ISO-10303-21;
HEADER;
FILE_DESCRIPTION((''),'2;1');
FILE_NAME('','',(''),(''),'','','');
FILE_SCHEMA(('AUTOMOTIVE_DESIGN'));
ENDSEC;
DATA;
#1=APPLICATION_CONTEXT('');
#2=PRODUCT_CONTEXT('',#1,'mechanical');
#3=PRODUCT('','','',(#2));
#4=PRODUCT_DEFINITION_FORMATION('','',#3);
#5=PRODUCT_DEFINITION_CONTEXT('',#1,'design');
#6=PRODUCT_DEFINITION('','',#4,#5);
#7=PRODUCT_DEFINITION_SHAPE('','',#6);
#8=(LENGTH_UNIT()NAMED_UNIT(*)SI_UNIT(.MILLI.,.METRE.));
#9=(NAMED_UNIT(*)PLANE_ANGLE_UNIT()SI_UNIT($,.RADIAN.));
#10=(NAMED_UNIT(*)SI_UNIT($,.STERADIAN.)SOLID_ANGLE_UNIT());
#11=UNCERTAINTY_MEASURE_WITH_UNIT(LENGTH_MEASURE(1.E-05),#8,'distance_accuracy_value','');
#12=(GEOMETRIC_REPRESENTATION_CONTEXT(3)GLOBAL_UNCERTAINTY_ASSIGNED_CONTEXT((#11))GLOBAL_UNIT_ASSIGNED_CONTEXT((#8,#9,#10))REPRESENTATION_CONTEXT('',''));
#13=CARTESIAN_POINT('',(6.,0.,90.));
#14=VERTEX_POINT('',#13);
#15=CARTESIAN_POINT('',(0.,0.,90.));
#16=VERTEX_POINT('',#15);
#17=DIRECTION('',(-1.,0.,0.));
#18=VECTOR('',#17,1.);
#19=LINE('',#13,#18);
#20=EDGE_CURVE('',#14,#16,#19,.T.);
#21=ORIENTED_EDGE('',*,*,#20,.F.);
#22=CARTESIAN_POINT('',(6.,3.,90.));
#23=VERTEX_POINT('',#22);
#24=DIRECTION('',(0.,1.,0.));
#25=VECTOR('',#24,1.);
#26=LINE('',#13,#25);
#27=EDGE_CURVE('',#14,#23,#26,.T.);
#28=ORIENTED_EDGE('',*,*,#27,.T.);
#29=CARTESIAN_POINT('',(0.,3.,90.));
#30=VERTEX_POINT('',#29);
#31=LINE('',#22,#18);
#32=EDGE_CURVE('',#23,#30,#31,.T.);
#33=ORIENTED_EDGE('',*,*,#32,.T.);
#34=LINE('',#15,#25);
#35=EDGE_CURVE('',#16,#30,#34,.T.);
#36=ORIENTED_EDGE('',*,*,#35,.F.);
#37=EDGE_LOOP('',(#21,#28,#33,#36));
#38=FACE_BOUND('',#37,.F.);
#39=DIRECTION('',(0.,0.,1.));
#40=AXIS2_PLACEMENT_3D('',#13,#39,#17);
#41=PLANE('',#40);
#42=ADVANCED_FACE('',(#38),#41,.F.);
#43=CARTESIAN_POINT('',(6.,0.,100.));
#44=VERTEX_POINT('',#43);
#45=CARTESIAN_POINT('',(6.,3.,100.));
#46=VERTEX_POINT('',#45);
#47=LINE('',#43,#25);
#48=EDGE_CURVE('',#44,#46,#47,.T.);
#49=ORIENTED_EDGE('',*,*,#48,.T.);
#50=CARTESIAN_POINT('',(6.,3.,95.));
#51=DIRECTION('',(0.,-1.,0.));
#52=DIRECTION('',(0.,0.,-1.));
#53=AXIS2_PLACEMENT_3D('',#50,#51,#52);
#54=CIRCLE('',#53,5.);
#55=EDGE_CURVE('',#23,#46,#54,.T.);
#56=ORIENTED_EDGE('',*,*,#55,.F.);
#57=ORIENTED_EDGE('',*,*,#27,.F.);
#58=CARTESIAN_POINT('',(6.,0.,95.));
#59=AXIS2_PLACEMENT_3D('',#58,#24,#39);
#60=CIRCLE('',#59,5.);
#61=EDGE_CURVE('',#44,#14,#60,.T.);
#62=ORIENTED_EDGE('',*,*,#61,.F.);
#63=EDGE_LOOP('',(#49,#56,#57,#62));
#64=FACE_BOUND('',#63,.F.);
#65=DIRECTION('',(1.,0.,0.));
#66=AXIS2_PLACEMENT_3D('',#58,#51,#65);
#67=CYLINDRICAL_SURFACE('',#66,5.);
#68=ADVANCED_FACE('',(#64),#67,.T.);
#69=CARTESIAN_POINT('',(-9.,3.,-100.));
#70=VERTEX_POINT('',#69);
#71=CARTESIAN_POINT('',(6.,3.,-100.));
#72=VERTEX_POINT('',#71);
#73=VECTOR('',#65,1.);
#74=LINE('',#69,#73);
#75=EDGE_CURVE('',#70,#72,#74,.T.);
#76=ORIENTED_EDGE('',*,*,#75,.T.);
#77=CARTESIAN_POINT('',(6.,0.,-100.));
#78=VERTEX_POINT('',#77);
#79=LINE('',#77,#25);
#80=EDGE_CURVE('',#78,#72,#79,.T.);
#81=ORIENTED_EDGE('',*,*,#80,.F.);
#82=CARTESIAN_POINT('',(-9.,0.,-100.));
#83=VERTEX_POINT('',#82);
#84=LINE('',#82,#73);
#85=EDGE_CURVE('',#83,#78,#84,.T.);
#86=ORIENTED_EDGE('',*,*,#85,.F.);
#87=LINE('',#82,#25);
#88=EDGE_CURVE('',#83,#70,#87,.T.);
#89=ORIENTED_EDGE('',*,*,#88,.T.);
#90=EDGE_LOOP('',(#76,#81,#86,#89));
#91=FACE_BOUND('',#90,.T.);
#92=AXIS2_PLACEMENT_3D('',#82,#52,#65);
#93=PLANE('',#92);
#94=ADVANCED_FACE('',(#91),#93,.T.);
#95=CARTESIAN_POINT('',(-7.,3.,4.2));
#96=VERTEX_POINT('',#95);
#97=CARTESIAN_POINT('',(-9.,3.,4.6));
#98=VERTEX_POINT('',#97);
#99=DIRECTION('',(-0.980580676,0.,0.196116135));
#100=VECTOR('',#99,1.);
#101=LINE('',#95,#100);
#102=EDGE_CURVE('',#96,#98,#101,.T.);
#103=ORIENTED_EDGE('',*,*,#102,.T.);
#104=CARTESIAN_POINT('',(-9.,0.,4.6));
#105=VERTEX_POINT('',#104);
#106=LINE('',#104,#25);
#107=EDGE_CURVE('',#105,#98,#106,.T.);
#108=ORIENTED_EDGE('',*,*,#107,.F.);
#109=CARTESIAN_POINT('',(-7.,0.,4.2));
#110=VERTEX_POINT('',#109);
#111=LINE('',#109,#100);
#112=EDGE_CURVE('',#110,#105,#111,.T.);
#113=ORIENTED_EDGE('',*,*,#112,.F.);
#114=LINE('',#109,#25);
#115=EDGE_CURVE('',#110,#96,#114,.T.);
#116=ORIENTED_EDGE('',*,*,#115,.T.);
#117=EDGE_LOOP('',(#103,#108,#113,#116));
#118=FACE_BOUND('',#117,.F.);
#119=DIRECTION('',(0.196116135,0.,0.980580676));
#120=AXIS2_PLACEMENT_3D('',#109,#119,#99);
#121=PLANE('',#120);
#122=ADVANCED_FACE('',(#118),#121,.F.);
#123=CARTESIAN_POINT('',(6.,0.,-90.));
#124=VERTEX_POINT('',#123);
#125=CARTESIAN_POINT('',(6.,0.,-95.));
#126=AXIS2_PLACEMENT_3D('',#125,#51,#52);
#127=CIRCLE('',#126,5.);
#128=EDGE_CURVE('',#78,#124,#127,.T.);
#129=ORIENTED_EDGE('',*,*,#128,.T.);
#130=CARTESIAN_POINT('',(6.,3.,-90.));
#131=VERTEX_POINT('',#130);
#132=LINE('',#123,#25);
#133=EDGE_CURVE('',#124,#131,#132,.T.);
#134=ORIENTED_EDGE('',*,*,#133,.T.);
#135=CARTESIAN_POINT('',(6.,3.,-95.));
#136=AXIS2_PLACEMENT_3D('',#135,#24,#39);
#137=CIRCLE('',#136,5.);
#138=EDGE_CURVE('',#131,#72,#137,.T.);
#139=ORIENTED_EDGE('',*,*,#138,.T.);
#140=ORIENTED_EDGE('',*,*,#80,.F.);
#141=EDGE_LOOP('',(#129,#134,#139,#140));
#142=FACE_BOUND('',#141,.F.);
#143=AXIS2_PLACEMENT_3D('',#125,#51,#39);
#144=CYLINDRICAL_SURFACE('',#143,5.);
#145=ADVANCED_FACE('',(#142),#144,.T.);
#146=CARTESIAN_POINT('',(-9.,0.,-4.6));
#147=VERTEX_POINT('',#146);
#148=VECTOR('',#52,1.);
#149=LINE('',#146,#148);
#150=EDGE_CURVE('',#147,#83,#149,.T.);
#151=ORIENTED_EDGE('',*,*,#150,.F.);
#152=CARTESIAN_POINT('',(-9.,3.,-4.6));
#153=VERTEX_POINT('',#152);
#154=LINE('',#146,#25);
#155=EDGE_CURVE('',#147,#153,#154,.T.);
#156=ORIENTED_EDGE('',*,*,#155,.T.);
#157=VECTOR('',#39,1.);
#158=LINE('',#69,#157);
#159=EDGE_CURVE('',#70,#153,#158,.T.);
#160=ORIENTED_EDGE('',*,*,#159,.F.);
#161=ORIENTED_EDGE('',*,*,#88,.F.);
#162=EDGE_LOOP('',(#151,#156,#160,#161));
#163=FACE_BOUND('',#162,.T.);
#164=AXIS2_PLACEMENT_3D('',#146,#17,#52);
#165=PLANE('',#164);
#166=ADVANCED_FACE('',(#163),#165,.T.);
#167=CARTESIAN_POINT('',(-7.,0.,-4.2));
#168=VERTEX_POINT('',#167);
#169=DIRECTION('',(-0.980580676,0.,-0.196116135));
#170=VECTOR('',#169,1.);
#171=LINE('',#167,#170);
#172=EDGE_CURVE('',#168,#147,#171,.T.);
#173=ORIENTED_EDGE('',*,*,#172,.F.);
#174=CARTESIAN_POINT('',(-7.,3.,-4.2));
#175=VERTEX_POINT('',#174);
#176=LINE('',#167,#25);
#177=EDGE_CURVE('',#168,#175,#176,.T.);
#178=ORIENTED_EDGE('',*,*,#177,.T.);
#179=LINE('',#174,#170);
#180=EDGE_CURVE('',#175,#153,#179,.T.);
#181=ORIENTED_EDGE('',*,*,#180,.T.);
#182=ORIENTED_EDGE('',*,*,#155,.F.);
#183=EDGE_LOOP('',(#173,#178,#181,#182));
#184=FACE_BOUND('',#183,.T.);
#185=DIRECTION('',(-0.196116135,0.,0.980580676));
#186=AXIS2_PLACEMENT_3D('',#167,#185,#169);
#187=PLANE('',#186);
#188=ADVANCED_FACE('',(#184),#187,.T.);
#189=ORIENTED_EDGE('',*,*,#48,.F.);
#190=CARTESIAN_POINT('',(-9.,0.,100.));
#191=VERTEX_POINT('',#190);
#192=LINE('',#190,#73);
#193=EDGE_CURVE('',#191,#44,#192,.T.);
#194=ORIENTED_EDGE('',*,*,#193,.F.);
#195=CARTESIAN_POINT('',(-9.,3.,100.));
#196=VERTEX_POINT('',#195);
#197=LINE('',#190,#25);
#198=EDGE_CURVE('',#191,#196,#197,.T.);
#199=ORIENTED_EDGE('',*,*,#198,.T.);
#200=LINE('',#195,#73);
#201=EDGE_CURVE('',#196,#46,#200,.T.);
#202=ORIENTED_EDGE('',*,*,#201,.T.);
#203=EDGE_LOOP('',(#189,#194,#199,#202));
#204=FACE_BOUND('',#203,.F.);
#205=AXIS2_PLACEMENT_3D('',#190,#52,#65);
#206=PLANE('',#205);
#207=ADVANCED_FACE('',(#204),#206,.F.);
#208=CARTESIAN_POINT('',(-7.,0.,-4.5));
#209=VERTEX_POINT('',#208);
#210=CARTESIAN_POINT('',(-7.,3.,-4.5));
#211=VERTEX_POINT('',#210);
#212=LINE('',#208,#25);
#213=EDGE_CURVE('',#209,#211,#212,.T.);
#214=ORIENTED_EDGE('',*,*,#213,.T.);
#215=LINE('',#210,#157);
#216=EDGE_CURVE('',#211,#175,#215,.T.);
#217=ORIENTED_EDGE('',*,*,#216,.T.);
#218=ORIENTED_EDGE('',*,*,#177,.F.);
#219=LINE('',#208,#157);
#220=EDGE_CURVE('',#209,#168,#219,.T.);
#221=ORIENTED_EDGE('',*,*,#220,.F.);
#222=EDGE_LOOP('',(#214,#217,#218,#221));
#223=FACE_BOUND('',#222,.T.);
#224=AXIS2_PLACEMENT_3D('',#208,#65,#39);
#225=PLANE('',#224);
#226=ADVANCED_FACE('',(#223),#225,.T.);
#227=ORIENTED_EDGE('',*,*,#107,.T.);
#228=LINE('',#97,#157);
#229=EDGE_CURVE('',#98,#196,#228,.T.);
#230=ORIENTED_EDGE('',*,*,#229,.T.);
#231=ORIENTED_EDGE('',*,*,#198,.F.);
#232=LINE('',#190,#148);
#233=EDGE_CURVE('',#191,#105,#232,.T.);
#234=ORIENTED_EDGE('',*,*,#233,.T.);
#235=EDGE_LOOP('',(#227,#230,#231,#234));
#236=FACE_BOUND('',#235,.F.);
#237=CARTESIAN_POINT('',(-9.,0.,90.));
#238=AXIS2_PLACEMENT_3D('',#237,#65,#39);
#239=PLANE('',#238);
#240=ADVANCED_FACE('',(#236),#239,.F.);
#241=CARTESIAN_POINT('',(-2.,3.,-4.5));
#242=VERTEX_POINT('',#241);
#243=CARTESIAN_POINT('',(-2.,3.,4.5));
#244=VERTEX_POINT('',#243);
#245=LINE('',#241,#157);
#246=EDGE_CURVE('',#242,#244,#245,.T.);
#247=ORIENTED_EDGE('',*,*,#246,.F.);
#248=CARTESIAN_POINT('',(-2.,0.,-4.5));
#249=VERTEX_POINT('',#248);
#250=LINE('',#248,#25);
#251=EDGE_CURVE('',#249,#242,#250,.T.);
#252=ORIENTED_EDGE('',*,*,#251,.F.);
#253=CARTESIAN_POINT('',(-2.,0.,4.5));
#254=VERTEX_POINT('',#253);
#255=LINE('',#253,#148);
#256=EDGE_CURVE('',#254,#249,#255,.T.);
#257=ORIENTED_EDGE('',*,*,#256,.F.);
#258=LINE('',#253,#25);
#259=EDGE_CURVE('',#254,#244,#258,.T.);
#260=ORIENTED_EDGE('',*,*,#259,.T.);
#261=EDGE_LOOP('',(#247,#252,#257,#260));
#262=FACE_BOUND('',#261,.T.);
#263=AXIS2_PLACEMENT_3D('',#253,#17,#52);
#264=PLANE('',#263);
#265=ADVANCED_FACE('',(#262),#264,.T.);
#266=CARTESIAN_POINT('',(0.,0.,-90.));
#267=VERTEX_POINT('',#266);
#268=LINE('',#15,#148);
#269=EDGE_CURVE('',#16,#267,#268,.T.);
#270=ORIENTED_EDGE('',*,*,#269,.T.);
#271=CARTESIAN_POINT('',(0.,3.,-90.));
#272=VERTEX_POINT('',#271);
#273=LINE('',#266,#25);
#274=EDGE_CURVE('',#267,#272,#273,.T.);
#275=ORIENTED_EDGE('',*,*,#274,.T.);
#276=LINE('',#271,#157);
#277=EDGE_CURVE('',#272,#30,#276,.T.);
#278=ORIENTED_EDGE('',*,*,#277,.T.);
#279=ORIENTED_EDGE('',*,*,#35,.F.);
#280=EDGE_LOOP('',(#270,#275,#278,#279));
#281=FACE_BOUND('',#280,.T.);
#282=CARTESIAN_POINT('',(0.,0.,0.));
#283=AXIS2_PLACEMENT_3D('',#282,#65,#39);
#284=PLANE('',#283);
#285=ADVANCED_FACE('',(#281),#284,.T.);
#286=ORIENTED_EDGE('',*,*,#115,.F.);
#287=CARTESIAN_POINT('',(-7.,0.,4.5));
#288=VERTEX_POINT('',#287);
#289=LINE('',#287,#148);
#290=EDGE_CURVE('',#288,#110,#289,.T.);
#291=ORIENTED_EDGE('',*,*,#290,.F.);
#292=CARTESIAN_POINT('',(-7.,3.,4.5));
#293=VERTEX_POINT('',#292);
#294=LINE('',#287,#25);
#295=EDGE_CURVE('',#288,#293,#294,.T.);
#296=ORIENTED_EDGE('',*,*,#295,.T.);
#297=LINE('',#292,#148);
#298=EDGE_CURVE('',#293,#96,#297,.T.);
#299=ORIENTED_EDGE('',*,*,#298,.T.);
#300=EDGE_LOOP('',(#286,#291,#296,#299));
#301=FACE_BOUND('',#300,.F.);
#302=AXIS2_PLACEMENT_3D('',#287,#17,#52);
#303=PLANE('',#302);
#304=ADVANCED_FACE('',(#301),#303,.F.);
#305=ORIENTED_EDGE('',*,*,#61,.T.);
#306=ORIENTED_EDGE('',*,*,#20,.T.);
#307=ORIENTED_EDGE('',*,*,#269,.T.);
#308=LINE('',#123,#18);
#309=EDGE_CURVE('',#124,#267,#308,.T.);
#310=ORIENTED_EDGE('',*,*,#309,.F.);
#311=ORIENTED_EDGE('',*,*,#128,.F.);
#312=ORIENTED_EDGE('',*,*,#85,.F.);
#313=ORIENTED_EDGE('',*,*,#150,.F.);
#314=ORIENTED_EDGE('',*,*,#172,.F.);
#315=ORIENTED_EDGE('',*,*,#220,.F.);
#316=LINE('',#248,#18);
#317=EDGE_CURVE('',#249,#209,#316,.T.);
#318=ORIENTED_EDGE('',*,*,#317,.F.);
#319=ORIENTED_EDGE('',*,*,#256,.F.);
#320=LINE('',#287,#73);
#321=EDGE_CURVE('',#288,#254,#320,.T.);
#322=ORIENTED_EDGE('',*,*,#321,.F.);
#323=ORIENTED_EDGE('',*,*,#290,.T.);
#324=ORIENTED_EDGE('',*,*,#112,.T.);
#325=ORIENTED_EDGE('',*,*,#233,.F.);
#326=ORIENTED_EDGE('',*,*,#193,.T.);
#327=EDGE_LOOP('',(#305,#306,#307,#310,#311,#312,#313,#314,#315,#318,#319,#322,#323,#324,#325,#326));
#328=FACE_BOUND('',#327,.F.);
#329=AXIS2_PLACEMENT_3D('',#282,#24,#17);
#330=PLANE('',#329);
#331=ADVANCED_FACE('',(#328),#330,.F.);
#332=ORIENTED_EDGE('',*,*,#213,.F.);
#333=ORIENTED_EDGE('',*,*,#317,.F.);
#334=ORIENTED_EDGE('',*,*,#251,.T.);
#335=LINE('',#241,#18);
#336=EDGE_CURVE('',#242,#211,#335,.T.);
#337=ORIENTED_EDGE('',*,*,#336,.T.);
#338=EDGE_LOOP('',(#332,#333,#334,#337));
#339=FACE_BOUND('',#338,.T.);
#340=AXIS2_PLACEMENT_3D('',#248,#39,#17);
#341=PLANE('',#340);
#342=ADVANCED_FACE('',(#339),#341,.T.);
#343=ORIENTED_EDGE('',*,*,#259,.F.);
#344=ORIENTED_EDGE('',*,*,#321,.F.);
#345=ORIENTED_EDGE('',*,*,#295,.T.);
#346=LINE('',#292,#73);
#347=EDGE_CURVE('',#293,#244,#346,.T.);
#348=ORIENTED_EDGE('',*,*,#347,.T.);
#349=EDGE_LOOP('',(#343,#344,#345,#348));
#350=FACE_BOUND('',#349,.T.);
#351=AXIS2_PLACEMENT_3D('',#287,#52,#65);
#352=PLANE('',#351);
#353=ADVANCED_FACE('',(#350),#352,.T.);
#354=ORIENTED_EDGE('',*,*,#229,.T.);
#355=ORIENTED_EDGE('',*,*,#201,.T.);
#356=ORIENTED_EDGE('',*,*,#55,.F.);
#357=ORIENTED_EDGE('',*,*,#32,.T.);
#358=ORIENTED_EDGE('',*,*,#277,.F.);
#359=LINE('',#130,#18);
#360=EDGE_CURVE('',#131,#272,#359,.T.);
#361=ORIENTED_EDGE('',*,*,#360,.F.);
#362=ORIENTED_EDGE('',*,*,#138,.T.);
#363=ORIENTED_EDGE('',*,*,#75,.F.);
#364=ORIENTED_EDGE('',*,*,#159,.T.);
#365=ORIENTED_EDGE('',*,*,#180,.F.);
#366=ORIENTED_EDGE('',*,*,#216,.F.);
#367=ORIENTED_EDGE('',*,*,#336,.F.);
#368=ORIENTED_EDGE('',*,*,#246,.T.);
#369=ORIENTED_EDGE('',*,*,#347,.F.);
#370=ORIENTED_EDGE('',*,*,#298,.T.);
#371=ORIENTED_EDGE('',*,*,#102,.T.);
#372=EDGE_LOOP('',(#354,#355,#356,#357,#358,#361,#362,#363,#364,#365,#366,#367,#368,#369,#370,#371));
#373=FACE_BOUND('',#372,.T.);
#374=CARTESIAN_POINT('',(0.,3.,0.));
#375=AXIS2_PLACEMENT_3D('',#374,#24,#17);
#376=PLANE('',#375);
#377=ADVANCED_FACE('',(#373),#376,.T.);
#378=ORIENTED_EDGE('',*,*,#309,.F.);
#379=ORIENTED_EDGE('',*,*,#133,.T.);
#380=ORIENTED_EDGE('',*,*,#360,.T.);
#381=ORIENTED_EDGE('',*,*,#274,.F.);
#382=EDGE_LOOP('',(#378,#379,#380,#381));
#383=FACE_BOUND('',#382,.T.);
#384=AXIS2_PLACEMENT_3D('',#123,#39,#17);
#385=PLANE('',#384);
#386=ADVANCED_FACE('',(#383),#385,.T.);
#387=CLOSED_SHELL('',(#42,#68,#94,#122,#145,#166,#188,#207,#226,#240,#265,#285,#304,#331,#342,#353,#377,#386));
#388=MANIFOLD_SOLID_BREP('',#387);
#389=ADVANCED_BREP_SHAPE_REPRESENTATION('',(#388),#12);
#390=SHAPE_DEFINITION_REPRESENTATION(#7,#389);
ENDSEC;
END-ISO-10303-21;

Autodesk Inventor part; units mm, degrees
ref_plane "YZ Plane" through (0, 0, 0) normal (1, 0, 0) x (0, 1, 0)
ref_plane "XZ Plane" through (0, 0, 0) normal (0, 1, 0) x (-1, 0, 0)
ref_plane "XY Plane" through (0, 0, 0) normal (0, 0, 1) x (1, 0, 0)
sketch "草圖1" plane through (0, 0, 0) normal (0, 1, 0) x (-1, 0, 0)
  line L0 (0, 90) -> (9, 90)
  line L1 (9, -90) -> (0, -90)
  line L2 (0, -90) -> (0, 90)
  line L3 (7, 4.5) -> (2, 4.5)
  line L4 (2, 4.5) -> (2, -4.5)
  line L5 (2, -4.5) -> (7, -4.5)
  line L6 (9, 90) -> (9, 100)
  line L7 (9, 100) -> (-6, 100)
  line L8 (-11, 95) -> (-11, 95)
  line L9 (-6, 90) -> (0, 90)
  arc A0 (-11, 95) -> (-6, 90) centre (-6, 95) ccw
  arc A1 (-6, 100) -> (-11, 95) centre (-6, 95) ccw
  circle A2 centre (-6, 95) radius 2.5
  line L10 (9, 0) -> (0, 0)
  line L11 (9, -90) -> (9, -100)
  line L12 (9, -100) -> (-6, -100)
  line L13 (-6, -90) -> (0, -90)
  arc A3 (-6, -90) -> (-11, -95) centre (-6, -95) ccw
  arc A4 (-11, -95) -> (-6, -100) centre (-6, -95) ccw
  circle A5 centre (-6, -95) radius 2.5
  line L14 (9, 90) -> (9, 4.6)
  line L15 (9, -4.6) -> (9, -90)
  line L16 (7, -4.5) -> (7, -4.2)
  line L17 (7, -4.2) -> (9, -4.6)
  line L18 (7, 4.5) -> (7, 4.2)
  line L19 (7, 4.2) -> (9, 4.6)
  point P0 (4.5, 4.5)
  point P1 (4.5, 90)
  point P2 (-11, 100)
  point P3 (-11, -100)
  point P4 (2, 0)
  dimension "d0" = 180
  dimension "d1" = 9
  dimension "d3" = 5
  dimension "d4" = 10
  dimension "d5" = 20
  dimension "d6" = 5
  dimension "d7" = 5
  dimension "d8" = 5
  dimension "d11" = 85.4
  dimension "d12" = 85.4
  dimension "d13" = 9
  dimension "d14" = 0.3
  dimension "d15" = 0.3
  dimension "d16" = 11.31
  dimension "d17" = 0
  dimension "d18" = 5
  dimension "d19" = 20
  dimension "d20" = 185
  dimension "d21" = 20
extrude "擠出1" add sketch "草圖1" along normal blind 3 contours L9 A0 A1 L7 L6 L0 | L0 L14 L19 L18 L3 L4 L10 L2 | L10 L4 L5 L16 L17 L15 L1 L2 | L1 L11 L12 A4 A3 L13 | A2 | A5
properties part number "Lower_Bar_3"
